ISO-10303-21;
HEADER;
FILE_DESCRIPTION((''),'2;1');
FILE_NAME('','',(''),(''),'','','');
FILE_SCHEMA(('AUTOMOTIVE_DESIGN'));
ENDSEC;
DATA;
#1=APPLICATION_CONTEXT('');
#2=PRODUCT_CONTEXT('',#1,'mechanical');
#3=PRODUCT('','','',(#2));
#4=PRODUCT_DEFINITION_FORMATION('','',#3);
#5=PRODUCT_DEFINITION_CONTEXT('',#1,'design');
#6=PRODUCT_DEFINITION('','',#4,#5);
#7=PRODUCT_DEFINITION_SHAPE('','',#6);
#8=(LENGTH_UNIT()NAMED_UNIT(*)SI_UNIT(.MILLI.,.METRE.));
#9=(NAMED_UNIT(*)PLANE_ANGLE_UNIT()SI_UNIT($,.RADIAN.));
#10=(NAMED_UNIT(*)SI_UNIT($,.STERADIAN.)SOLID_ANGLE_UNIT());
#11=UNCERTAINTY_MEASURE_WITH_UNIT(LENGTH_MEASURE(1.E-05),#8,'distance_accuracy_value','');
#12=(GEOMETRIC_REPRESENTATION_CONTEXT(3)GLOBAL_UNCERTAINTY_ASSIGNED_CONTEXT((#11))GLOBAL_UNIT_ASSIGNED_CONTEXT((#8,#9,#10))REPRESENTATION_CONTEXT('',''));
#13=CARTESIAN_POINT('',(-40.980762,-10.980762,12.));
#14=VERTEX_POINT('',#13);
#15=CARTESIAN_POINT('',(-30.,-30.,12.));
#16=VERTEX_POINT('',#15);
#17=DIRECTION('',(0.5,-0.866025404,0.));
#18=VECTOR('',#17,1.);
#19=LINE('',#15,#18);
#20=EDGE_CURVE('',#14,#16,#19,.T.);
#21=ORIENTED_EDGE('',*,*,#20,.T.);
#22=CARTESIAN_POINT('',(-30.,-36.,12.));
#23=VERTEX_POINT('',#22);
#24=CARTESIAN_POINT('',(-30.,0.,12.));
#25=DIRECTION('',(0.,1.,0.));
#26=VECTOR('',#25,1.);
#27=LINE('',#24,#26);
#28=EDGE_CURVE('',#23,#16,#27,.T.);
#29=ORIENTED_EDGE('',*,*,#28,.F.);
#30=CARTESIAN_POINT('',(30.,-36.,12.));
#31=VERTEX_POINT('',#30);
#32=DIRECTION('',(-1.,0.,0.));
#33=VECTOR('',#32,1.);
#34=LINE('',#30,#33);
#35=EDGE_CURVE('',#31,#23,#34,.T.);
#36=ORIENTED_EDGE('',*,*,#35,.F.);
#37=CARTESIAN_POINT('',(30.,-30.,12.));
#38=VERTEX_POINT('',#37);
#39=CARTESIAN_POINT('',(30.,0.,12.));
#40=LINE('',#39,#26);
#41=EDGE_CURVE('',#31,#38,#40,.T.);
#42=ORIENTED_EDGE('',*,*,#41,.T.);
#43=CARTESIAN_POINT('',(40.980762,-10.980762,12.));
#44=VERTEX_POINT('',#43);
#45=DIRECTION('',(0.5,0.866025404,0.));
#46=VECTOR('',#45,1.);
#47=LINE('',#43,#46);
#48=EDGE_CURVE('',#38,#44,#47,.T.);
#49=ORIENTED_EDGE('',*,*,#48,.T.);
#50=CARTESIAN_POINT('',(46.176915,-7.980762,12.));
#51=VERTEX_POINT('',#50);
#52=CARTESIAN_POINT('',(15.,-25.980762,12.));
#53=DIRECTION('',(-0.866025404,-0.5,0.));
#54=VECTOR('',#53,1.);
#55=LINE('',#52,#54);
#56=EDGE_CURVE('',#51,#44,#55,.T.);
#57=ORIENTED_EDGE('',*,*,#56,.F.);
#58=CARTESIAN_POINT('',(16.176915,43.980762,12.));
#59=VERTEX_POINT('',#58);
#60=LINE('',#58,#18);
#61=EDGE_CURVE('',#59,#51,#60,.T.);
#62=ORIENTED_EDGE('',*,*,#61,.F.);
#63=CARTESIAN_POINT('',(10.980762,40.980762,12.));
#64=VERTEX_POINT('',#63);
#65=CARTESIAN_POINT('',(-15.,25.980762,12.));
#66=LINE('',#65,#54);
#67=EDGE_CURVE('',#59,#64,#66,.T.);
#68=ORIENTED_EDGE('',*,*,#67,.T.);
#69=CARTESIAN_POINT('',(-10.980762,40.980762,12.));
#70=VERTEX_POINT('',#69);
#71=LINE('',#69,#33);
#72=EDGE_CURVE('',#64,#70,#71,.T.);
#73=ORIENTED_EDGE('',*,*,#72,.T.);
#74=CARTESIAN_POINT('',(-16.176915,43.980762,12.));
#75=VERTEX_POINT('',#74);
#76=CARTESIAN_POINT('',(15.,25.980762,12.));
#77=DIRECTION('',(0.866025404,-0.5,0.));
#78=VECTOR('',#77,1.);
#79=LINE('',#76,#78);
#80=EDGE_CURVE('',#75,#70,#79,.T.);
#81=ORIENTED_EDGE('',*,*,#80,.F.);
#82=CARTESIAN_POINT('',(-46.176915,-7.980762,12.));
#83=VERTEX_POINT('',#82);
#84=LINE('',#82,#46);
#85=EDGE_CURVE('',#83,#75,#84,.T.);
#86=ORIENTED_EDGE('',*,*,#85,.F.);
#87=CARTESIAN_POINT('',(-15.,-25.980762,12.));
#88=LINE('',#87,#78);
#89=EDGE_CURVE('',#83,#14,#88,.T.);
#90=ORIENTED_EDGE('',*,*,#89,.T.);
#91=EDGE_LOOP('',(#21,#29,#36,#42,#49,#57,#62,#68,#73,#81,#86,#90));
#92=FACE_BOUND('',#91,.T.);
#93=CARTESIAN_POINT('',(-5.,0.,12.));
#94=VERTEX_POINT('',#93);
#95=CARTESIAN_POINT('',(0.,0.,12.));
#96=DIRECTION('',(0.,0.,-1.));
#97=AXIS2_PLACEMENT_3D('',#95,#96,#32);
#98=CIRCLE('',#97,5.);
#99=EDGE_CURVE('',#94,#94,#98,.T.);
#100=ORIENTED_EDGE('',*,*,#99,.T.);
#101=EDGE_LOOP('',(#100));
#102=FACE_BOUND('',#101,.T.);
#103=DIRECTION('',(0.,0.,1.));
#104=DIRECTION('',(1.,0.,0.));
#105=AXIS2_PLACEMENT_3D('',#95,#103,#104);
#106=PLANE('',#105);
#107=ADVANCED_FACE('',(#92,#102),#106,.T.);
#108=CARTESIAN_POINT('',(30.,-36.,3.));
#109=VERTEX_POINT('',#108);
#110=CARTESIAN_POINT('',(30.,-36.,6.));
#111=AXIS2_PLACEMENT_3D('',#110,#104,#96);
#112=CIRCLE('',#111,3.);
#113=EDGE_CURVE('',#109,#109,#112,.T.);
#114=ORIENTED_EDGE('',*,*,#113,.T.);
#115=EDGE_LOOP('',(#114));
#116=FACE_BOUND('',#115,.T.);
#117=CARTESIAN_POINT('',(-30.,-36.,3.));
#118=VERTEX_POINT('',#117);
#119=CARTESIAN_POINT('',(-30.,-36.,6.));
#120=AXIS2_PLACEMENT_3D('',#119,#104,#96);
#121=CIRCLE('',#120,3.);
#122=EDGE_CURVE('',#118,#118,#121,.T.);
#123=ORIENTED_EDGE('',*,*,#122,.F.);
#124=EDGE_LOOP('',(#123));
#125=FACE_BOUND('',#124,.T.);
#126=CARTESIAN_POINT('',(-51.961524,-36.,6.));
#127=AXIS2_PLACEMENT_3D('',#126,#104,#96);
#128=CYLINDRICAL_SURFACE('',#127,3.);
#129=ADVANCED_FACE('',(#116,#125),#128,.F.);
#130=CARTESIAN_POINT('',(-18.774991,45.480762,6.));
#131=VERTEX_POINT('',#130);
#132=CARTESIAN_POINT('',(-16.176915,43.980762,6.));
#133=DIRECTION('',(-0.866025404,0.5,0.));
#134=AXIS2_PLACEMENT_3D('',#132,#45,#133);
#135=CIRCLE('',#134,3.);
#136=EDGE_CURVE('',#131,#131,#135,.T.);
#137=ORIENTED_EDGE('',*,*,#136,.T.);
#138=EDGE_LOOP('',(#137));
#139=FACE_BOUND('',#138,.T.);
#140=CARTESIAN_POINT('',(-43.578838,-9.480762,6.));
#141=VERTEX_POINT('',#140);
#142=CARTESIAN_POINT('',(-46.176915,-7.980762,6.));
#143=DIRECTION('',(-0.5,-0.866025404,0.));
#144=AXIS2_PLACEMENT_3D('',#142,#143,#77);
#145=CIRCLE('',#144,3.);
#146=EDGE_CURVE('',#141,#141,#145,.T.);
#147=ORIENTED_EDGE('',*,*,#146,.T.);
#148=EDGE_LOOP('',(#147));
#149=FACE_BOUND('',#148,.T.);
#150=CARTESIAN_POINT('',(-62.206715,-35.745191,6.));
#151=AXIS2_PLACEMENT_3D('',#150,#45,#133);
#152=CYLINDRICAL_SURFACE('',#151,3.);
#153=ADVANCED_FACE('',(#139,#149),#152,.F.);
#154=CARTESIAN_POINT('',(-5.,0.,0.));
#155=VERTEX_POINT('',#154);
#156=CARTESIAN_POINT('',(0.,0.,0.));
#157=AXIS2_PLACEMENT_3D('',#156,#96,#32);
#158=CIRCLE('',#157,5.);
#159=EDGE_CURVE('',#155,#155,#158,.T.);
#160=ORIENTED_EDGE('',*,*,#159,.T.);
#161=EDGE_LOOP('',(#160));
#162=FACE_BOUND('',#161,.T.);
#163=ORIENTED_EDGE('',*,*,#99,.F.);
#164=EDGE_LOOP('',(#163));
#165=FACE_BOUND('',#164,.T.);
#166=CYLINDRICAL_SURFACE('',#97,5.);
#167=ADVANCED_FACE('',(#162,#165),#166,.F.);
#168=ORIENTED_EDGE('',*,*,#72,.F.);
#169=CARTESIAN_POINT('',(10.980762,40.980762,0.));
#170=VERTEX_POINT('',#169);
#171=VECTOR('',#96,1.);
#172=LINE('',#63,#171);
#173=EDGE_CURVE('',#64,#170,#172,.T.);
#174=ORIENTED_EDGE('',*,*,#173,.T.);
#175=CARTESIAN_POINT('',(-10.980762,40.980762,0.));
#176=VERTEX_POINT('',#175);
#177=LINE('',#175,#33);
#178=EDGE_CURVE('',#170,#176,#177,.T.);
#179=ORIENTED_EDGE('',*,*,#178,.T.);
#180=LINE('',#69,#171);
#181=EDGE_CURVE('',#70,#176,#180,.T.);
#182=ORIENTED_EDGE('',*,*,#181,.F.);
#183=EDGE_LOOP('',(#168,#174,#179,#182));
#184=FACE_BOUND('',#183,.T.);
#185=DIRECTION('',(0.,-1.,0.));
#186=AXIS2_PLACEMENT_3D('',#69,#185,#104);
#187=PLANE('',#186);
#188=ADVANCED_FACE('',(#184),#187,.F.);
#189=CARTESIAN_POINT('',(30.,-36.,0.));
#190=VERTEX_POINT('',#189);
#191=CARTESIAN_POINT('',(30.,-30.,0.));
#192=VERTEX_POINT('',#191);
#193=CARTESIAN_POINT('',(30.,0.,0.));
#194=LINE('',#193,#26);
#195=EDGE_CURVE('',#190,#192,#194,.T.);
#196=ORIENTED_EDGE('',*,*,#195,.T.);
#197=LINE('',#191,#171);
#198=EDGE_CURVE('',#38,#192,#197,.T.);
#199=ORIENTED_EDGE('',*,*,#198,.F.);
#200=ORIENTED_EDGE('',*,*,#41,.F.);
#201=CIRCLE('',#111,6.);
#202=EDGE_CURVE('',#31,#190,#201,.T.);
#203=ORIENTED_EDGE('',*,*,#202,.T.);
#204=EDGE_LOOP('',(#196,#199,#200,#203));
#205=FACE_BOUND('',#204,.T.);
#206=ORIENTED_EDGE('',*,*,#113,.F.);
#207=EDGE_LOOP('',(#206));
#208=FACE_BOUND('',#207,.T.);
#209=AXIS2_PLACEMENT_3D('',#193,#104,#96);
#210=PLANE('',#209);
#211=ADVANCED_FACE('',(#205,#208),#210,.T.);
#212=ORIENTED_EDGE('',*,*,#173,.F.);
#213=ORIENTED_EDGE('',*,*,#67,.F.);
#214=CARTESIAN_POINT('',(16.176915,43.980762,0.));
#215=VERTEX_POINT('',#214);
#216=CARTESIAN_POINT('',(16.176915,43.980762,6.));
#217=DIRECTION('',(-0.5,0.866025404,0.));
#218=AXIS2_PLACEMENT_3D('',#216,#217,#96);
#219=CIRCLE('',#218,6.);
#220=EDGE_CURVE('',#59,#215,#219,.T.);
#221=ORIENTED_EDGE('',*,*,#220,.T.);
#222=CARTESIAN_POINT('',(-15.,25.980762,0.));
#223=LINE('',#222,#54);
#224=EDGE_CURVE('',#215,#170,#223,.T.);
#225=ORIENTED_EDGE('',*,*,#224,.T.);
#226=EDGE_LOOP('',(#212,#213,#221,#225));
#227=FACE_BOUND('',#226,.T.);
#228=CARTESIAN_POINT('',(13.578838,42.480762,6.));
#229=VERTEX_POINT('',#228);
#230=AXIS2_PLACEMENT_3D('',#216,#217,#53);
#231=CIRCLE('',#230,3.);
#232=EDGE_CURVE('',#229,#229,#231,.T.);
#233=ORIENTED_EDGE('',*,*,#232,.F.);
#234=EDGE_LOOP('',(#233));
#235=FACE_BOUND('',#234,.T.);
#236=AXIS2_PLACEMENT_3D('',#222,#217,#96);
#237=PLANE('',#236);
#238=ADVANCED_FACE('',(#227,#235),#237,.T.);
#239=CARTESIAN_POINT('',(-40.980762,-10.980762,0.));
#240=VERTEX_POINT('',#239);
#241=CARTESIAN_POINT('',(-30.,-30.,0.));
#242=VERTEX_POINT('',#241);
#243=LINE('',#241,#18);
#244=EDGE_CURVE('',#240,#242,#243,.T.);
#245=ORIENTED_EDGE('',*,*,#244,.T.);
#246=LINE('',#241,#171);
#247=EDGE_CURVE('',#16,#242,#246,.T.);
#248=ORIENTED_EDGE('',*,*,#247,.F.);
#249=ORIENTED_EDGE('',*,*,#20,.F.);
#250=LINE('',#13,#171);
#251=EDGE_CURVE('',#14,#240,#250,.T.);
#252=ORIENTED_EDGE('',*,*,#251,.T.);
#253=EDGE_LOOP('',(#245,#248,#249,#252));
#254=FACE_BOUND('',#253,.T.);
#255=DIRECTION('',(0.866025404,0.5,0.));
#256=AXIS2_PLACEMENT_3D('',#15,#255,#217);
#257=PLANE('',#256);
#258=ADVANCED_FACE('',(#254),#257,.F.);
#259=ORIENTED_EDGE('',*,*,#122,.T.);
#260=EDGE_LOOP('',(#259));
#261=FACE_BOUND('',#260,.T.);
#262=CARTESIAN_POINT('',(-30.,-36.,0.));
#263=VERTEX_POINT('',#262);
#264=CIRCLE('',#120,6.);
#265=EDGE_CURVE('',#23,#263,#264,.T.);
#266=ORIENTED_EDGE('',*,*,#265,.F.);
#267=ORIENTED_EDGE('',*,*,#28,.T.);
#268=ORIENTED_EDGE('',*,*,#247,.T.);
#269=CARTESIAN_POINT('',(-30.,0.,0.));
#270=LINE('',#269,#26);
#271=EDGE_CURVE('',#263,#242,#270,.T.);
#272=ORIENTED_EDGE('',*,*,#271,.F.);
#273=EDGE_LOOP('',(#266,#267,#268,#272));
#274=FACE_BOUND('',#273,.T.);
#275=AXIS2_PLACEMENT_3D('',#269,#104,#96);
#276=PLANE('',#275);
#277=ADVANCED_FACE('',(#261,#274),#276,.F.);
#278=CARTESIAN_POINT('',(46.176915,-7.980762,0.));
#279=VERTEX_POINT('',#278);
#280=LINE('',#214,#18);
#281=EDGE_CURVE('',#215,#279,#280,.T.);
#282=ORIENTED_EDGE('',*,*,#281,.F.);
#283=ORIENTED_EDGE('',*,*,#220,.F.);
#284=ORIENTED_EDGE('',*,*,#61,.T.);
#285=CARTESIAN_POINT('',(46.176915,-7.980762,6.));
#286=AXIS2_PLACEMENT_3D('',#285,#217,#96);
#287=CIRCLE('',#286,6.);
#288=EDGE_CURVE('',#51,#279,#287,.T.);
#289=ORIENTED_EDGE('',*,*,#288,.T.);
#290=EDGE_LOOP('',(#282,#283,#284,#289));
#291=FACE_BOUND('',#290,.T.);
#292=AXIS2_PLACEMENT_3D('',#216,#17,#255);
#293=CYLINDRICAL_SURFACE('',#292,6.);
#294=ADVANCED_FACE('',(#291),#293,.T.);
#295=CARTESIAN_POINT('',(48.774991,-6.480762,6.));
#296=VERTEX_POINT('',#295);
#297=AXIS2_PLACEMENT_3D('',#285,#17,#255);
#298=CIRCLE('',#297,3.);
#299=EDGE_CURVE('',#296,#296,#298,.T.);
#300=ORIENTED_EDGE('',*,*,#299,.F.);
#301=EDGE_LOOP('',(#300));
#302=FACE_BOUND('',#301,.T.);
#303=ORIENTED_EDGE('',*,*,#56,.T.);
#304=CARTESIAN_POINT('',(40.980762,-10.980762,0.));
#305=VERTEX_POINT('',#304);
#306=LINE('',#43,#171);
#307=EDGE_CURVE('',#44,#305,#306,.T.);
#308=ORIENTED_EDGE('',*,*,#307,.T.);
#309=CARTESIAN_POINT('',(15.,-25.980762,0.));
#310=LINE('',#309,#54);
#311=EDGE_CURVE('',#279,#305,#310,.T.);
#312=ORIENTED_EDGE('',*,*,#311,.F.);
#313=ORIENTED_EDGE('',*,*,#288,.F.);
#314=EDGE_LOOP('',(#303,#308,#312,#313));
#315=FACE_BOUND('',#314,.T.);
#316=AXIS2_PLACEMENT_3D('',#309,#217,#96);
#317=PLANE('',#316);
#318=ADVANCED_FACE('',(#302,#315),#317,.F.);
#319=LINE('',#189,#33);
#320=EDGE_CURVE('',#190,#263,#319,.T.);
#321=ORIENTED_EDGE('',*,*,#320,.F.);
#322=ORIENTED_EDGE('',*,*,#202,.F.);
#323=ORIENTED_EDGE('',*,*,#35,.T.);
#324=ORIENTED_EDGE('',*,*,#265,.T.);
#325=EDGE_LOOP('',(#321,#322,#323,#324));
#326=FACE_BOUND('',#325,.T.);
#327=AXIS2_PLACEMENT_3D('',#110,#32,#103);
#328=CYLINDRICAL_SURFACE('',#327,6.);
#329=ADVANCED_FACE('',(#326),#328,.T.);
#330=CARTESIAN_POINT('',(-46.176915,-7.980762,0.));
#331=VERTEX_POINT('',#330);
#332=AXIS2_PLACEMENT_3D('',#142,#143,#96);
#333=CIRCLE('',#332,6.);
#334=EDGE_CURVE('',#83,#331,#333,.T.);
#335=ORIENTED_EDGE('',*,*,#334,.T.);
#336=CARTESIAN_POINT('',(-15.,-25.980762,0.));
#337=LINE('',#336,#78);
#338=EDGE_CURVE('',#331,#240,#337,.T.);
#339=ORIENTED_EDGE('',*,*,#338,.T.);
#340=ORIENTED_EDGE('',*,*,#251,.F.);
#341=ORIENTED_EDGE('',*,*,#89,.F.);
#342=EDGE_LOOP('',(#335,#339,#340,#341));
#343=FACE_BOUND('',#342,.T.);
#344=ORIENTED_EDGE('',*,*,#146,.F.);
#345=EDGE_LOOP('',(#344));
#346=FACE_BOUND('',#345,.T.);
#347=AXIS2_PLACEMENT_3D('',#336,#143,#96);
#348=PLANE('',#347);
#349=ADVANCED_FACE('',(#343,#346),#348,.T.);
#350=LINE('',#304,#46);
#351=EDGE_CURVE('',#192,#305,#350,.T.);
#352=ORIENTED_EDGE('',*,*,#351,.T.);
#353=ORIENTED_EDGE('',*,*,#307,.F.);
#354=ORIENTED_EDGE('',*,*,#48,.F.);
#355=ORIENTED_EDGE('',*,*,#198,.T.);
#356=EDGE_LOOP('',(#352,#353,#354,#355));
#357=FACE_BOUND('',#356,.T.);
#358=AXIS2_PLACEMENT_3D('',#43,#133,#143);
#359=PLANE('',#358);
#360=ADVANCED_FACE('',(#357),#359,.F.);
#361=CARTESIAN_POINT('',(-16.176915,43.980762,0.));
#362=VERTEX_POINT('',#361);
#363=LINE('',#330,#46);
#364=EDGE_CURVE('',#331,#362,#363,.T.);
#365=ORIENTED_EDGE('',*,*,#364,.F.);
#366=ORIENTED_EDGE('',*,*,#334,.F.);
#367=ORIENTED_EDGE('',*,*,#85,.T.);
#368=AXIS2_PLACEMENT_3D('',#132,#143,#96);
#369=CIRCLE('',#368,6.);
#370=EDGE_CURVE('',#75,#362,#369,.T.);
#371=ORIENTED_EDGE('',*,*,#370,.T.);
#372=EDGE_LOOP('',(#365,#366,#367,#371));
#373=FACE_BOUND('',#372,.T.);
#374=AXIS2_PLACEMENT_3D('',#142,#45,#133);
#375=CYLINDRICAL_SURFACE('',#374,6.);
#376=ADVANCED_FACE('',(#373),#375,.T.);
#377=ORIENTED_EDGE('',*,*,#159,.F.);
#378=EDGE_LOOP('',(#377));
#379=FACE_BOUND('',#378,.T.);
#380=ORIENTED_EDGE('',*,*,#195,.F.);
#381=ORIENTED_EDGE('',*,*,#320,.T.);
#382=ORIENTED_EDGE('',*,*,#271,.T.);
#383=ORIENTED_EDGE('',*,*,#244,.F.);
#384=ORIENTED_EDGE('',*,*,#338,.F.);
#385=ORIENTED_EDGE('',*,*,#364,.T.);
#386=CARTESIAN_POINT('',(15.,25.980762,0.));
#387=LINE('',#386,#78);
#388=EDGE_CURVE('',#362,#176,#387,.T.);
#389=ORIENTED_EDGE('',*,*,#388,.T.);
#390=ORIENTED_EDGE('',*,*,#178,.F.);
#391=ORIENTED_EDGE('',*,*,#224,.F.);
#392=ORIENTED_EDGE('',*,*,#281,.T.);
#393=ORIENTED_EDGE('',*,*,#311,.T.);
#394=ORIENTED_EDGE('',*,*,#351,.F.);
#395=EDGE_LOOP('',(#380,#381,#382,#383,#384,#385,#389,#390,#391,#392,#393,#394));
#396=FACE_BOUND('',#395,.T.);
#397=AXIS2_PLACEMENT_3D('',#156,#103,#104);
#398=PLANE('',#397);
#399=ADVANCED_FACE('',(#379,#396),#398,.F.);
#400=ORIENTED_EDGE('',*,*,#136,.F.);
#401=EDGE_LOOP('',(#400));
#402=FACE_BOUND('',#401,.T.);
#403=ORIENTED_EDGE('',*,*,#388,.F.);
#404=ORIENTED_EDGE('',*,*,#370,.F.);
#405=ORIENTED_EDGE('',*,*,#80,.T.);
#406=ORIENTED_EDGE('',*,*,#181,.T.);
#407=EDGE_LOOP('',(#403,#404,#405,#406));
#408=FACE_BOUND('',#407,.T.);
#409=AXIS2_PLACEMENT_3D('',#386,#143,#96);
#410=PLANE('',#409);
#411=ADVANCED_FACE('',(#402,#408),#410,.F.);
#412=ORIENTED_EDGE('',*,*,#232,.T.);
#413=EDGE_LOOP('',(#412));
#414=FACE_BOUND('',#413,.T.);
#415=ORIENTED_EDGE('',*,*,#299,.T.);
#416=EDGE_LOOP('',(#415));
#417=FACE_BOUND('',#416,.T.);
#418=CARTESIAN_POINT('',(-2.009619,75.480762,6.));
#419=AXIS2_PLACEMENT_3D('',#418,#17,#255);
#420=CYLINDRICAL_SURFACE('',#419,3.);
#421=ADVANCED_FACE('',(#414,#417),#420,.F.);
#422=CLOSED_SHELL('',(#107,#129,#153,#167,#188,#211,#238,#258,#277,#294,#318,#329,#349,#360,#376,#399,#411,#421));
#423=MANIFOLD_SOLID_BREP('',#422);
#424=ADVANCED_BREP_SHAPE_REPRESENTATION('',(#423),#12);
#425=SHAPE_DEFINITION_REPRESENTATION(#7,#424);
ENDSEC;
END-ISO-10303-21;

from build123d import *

# Parameters (mm, degrees)
EXTRUDE_1_DEPTH          = 12
SKETCH_2_R               = 6
EXTRUDE_2_DEPTH          = 30
SKETCH_3_R               = 3
CUT_EXTRUDE_1_DEPTH      = 103.282410285
SKETCH_5_R               = 5
CUT_EXTRUDE_2_DEPTH      = 81.274528962
CUT_EXTRUDE_3_DEPTH      = 81.274528962
PATTERN_CIRCULAR_2_COUNT = 3
SKETCH_7_R               = 3
CUT_EXTRUDE_4_DEPTH      = 100.361803703
SKETCH_8_R               = 3
CUT_EXTRUDE_5_DEPTH      = 96.764127078


with BuildPart() as part:
    # 草图1 → 凸台-拉伸1 (new body)
    with BuildSketch(Plane.XY):
        Polygon((0, 60), (-51.961524227, -30), (51.961524227, -30), align=None)
    extrude(amount=EXTRUDE_1_DEPTH)

    # 草图2 → 凸台-拉伸2 (add, symmetric)
    with BuildSketch(Plane(origin=(0, 0, 0), x_dir=(0, 0, -1), z_dir=(1, 0, 0))):
        with Locations((-6, -36)):
            Circle(SKETCH_2_R)
        with BuildLine():
            ThreePointArc((-6, -30), (-1.757359313, -31.757359313), (0, -36))
            Line((0, -36), (0, -30))
            Line((0, -30), (-6, -30))
        make_face()
        with BuildLine():
            Line((-12, -30), (-12, -36))
            ThreePointArc((-12, -36), (-10.242640687, -31.757359313), (-6, -30))
            Line((-6, -30), (-12, -30))
        make_face()
    extrude_2 = extrude(amount=EXTRUDE_2_DEPTH, both=True)

    # 草图3 → 切除-拉伸1 (cut, through all)
    with BuildSketch(Plane(origin=(30, 0, 0), x_dir=(0, 0, -1), z_dir=(1, 0, 0))):
        with Locations((-6, -36)):
            Circle(SKETCH_3_R)
    extrude(amount=-CUT_EXTRUDE_1_DEPTH, mode=Mode.SUBTRACT)

    # 草图5 → 切除-拉伸2 (cut, through all)
    with BuildSketch(Plane(origin=(0, 0, 0), x_dir=(-1, 0, 0), z_dir=(0, 0, -1))):
        Circle(SKETCH_5_R)
    extrude(amount=-CUT_EXTRUDE_2_DEPTH, mode=Mode.SUBTRACT)

    # 草图6 → 切除-拉伸3 (cut, through all)
    with BuildSketch(Plane(origin=(0, 0, 0), x_dir=(-1, 0, 0), z_dir=(0, 0, -1))):
        Polygon((-30, -30), (-51.961524227, -30), (-40.980762114, -10.980762114), align=None)
        Polygon((10.980762114, 40.980762114), (-10.980762114, 40.980762114), (0, 60), align=None)
        Polygon((30, -30), (40.980762114, -10.980762114), (51.961524227, -30), align=None)
    extrude(amount=-CUT_EXTRUDE_3_DEPTH, mode=Mode.SUBTRACT)

    # 阵列(圆周)2: 凸台-拉伸2 ×3 about axis
    pattern_circular_2_axis = Axis((0, 0, 0), (0, 0, 1))
    for i in range(1, PATTERN_CIRCULAR_2_COUNT):
        add(extrude_2.rotate(pattern_circular_2_axis, i * 360 / PATTERN_CIRCULAR_2_COUNT))

    # 草图7 → 切除-拉伸4 (cut, through all)
    with BuildSketch(Plane(origin=(15, -25.980762114, 0), x_dir=(0.8660254037844434, 0.49999999999999195, 0), z_dir=(0.49999999999999195, -0.8660254037844434, 0))):
        with Locations((36, 6)):
            Circle(SKETCH_7_R)
    extrude(amount=-CUT_EXTRUDE_4_DEPTH, mode=Mode.SUBTRACT)

    # 草图8 → 切除-拉伸5 (cut, through all)
    with BuildSketch(Plane(origin=(15, 25.980762114, 0), x_dir=(0.8660254037844363, -0.5000000000000043, 0), z_dir=(0.5000000000000042, 0.8660254037844362, 0))):
        with Locations(Location((-36, -6, 0), (0, 0, 180))):
            Circle(SKETCH_8_R)
    extrude(amount=-CUT_EXTRUDE_5_DEPTH, mode=Mode.SUBTRACT)


solid = part.part
